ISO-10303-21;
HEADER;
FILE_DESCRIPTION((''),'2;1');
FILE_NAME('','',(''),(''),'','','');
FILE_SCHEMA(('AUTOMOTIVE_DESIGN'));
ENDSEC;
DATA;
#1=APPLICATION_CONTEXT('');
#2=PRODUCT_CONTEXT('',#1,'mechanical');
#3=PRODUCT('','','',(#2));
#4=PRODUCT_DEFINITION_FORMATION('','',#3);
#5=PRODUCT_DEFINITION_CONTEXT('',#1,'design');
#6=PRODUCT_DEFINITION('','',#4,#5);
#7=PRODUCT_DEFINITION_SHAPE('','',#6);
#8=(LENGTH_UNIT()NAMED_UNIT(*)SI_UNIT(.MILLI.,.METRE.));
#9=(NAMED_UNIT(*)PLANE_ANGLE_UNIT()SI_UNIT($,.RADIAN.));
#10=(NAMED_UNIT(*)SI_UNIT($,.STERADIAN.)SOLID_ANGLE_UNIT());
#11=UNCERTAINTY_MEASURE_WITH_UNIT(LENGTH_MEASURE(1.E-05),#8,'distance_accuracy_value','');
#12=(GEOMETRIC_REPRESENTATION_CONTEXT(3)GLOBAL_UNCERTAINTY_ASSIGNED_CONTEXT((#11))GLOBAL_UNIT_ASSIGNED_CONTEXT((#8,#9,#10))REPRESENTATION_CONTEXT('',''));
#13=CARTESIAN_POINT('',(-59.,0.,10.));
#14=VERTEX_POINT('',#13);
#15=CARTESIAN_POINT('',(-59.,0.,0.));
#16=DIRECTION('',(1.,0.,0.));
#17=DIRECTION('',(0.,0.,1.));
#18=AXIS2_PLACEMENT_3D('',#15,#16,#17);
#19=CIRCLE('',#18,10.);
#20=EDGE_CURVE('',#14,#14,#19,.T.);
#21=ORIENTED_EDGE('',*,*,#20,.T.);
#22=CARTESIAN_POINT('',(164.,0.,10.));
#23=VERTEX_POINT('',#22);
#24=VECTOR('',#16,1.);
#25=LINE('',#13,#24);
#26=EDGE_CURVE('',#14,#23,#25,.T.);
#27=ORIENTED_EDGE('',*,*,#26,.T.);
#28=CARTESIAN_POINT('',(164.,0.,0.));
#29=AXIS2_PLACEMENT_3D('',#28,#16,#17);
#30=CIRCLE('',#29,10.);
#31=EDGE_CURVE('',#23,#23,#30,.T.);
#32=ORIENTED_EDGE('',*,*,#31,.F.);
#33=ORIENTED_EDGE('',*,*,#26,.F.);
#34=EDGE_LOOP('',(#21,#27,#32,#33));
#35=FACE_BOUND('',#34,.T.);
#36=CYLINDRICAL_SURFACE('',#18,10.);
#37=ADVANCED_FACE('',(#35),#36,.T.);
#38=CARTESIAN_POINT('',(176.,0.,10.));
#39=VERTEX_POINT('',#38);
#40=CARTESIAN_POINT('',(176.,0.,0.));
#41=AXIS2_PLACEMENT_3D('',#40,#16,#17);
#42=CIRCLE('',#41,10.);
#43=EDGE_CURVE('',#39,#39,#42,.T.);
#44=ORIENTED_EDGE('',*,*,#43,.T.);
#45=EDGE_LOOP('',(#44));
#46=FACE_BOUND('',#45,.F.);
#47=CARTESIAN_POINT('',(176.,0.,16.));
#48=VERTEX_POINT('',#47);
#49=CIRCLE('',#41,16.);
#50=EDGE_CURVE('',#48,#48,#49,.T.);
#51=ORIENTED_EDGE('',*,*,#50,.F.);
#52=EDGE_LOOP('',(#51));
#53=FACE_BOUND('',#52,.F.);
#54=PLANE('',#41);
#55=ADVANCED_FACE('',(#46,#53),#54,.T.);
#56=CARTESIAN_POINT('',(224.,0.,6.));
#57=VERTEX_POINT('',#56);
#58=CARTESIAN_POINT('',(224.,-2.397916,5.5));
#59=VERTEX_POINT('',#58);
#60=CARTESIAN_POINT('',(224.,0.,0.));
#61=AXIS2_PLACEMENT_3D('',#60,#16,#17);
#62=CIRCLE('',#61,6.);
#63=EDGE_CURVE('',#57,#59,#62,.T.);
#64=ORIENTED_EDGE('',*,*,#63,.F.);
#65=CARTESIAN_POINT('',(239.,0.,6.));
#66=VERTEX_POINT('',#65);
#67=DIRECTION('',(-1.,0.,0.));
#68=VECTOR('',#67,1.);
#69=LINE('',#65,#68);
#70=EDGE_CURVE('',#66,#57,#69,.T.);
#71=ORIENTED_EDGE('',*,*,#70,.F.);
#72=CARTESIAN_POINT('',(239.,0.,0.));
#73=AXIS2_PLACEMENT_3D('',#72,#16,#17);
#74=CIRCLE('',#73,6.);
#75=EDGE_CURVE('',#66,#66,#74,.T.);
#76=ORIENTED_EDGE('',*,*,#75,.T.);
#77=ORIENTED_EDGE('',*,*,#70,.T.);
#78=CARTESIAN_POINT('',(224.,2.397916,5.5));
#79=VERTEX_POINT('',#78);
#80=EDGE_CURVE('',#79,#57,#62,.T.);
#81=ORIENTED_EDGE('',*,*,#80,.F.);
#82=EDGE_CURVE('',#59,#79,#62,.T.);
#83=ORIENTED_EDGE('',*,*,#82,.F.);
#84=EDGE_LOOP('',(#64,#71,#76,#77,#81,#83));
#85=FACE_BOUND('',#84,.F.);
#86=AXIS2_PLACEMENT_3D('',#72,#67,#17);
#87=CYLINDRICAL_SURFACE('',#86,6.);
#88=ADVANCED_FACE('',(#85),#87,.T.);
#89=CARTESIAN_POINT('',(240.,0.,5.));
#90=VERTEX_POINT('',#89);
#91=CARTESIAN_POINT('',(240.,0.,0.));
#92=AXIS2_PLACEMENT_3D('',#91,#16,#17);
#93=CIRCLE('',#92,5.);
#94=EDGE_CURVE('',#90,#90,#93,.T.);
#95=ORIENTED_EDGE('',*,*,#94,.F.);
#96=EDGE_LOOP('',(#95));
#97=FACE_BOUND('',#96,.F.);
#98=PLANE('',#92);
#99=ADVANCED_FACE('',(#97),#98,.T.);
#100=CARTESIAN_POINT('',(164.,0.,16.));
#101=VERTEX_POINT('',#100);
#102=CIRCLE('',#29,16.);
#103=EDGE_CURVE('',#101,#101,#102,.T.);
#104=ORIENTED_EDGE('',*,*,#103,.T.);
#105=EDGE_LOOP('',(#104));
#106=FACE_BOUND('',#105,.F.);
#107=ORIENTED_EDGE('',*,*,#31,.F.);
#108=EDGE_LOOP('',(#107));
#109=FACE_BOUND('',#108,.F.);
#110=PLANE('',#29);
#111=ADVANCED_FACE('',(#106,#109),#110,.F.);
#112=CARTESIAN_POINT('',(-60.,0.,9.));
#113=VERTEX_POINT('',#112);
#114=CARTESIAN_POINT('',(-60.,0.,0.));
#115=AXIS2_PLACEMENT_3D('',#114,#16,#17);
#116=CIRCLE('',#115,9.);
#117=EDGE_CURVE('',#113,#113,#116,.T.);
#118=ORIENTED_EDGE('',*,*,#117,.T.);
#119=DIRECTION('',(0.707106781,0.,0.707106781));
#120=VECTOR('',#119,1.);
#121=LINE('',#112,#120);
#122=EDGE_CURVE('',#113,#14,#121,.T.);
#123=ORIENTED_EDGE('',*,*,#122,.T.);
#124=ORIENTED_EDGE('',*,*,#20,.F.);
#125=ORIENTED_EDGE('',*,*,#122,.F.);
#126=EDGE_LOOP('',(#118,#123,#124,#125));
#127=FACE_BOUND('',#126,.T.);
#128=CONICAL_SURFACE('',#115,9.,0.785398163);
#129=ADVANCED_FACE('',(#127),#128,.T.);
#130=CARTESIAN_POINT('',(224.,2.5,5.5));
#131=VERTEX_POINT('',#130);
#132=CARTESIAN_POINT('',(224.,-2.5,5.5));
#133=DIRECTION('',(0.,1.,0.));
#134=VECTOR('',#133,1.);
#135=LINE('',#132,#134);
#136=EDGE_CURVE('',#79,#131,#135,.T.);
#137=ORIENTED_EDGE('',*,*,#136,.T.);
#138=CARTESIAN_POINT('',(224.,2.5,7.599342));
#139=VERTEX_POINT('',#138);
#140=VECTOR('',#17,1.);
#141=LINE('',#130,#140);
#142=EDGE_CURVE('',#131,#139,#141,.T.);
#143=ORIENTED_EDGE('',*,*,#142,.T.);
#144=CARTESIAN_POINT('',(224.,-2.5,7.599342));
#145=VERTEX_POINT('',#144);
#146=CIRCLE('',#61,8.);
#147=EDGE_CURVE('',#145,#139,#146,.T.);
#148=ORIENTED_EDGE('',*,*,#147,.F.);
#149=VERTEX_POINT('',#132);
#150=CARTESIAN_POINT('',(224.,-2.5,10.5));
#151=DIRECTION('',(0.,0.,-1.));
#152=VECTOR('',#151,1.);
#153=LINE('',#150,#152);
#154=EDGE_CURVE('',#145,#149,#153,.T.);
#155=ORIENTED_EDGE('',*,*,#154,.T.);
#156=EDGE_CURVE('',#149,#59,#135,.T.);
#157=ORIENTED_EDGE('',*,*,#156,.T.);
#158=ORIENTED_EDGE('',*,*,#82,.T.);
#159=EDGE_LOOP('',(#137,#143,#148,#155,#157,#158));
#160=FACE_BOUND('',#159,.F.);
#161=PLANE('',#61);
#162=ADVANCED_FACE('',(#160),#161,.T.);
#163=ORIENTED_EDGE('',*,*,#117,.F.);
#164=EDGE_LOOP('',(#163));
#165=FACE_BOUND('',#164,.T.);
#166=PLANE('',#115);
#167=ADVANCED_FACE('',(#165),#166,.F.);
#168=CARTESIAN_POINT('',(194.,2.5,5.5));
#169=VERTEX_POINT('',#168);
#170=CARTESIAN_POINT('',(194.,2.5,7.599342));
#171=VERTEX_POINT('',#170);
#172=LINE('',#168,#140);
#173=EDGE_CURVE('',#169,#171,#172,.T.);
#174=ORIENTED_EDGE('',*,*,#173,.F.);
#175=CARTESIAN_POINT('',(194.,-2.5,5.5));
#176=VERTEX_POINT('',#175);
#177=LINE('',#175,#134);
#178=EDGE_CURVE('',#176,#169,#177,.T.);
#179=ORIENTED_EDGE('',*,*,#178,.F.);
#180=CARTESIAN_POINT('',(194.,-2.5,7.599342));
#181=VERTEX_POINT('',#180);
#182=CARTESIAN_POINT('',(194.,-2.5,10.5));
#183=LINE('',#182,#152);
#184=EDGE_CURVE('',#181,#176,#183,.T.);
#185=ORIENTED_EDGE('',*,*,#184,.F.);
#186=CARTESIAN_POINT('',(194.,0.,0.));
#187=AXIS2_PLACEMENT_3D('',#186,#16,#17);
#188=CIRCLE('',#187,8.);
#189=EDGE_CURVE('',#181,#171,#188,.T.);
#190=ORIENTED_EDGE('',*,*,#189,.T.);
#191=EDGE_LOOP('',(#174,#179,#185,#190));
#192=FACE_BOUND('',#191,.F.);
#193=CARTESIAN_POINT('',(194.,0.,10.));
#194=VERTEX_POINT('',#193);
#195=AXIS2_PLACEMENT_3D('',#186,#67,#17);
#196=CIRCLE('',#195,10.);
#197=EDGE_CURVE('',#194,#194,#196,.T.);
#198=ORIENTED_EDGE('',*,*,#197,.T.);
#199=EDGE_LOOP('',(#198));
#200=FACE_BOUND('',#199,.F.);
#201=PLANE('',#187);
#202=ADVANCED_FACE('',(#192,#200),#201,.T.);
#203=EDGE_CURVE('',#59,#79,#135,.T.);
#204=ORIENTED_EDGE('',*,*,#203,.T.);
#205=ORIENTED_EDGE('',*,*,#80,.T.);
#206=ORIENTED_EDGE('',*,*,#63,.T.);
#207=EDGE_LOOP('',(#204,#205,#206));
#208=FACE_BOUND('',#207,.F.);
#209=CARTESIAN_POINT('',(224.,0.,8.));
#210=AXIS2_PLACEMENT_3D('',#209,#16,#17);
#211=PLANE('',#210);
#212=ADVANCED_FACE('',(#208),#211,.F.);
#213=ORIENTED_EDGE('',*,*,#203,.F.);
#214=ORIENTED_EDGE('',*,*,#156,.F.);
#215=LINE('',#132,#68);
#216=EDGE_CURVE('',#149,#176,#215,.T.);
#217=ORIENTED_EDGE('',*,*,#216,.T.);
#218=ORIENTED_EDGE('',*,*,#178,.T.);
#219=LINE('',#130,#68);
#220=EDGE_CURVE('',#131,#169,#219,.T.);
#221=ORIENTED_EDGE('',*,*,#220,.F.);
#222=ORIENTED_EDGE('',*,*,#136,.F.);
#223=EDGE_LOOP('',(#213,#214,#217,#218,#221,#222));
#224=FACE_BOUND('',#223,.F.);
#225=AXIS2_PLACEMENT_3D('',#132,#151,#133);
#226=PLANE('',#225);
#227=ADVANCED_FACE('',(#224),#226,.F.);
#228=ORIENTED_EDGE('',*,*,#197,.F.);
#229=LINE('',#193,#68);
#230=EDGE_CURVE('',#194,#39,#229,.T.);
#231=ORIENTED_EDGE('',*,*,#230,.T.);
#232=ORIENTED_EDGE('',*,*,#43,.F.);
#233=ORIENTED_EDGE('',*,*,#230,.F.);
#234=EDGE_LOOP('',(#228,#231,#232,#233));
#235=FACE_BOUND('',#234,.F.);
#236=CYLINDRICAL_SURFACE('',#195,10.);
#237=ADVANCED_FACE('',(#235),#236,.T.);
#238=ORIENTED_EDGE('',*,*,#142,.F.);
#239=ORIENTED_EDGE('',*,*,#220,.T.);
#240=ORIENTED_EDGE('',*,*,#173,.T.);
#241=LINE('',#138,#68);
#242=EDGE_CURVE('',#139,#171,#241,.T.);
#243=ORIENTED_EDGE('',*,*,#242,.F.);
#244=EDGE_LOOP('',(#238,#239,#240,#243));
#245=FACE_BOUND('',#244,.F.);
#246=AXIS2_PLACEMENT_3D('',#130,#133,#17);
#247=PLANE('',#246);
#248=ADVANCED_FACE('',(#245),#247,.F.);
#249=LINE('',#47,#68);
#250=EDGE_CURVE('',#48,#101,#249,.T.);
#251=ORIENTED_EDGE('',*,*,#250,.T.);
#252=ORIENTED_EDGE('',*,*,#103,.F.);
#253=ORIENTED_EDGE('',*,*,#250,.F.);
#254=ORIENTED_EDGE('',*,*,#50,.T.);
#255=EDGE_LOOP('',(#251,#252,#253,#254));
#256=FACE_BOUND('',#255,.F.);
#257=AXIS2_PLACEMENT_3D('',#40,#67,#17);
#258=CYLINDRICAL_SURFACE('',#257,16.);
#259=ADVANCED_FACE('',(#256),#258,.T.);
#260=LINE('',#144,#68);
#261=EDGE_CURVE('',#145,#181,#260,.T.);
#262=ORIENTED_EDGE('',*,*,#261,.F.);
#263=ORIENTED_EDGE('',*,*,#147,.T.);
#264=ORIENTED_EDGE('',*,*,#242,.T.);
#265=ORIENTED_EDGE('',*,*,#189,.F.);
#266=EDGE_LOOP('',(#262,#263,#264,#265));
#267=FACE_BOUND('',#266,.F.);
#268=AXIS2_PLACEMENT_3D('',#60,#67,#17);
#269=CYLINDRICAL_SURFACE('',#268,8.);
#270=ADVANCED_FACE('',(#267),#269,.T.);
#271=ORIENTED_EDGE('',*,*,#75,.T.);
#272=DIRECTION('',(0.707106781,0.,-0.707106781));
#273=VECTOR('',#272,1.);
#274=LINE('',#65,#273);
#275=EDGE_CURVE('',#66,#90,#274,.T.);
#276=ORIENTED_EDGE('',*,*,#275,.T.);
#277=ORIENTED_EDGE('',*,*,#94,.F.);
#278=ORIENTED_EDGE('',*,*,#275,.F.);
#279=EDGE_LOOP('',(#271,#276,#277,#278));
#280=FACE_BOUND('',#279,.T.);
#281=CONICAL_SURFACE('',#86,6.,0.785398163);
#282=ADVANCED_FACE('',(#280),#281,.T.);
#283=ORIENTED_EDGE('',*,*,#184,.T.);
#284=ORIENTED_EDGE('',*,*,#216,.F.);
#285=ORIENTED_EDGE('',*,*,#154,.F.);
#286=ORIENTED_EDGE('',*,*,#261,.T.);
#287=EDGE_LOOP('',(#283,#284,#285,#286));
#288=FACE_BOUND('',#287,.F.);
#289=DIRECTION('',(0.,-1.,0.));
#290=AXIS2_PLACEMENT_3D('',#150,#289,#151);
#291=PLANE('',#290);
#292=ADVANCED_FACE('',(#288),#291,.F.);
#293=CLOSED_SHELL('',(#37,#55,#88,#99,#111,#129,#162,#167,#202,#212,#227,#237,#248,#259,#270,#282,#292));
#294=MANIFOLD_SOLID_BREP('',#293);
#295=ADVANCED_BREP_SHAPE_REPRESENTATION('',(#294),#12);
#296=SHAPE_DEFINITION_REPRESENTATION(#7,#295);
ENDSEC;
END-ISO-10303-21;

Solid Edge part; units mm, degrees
sketch "Sketch1" plane through (0, 0, 0) normal (0, -1, 0) x (1, 0, 0)
  line L0 (-60, 0) -> (-60, 9)
  line L1 (-60, 9) -> (-59, 10)
  line L2 (-59, 10) -> (164, 10)
  line L3 (164, 16) -> (164, 10)
  line L4 (176, 16) -> (164, 16)
  line L5 (176, 10) -> (176, 16)
  line L6 (194, 10) -> (176, 10)
  line L7 (194, 8) -> (194, 10)
  line L8 (224, 8) -> (194, 8)
  line L9 (224, 6) -> (224, 8)
  line L10 (239, 6) -> (224, 6)
  line L11 (239, 6) -> (240, 5)
  line L12 (240, 0) -> (240, 5)
revolve "RevolvedProtrusion1" add sketch "Sketch1" angle 360 about axis through (-60, 0, 0) along (1, 0, 0)
cosmetic_thread "Thread1" size "Tr 20 x 4"
cosmetic_thread "Thread2" size "M12"
sketch "Sketch2" plane through (224, 0, 0) normal (1, 0, 0) x (0, 1, 0)
  line L0 (-2.5, 5.5) -> (2.5, 5.5)
  line L1 (2.5, 5.5) -> (2.5, 10.5)
  line L2 (2.5, 10.5) -> (-2.5, 10.5)
  line L3 (-2.5, 10.5) -> (-2.5, 5.5)
extrude "Cutout1" cut sketch "Sketch2" against normal blind 30
